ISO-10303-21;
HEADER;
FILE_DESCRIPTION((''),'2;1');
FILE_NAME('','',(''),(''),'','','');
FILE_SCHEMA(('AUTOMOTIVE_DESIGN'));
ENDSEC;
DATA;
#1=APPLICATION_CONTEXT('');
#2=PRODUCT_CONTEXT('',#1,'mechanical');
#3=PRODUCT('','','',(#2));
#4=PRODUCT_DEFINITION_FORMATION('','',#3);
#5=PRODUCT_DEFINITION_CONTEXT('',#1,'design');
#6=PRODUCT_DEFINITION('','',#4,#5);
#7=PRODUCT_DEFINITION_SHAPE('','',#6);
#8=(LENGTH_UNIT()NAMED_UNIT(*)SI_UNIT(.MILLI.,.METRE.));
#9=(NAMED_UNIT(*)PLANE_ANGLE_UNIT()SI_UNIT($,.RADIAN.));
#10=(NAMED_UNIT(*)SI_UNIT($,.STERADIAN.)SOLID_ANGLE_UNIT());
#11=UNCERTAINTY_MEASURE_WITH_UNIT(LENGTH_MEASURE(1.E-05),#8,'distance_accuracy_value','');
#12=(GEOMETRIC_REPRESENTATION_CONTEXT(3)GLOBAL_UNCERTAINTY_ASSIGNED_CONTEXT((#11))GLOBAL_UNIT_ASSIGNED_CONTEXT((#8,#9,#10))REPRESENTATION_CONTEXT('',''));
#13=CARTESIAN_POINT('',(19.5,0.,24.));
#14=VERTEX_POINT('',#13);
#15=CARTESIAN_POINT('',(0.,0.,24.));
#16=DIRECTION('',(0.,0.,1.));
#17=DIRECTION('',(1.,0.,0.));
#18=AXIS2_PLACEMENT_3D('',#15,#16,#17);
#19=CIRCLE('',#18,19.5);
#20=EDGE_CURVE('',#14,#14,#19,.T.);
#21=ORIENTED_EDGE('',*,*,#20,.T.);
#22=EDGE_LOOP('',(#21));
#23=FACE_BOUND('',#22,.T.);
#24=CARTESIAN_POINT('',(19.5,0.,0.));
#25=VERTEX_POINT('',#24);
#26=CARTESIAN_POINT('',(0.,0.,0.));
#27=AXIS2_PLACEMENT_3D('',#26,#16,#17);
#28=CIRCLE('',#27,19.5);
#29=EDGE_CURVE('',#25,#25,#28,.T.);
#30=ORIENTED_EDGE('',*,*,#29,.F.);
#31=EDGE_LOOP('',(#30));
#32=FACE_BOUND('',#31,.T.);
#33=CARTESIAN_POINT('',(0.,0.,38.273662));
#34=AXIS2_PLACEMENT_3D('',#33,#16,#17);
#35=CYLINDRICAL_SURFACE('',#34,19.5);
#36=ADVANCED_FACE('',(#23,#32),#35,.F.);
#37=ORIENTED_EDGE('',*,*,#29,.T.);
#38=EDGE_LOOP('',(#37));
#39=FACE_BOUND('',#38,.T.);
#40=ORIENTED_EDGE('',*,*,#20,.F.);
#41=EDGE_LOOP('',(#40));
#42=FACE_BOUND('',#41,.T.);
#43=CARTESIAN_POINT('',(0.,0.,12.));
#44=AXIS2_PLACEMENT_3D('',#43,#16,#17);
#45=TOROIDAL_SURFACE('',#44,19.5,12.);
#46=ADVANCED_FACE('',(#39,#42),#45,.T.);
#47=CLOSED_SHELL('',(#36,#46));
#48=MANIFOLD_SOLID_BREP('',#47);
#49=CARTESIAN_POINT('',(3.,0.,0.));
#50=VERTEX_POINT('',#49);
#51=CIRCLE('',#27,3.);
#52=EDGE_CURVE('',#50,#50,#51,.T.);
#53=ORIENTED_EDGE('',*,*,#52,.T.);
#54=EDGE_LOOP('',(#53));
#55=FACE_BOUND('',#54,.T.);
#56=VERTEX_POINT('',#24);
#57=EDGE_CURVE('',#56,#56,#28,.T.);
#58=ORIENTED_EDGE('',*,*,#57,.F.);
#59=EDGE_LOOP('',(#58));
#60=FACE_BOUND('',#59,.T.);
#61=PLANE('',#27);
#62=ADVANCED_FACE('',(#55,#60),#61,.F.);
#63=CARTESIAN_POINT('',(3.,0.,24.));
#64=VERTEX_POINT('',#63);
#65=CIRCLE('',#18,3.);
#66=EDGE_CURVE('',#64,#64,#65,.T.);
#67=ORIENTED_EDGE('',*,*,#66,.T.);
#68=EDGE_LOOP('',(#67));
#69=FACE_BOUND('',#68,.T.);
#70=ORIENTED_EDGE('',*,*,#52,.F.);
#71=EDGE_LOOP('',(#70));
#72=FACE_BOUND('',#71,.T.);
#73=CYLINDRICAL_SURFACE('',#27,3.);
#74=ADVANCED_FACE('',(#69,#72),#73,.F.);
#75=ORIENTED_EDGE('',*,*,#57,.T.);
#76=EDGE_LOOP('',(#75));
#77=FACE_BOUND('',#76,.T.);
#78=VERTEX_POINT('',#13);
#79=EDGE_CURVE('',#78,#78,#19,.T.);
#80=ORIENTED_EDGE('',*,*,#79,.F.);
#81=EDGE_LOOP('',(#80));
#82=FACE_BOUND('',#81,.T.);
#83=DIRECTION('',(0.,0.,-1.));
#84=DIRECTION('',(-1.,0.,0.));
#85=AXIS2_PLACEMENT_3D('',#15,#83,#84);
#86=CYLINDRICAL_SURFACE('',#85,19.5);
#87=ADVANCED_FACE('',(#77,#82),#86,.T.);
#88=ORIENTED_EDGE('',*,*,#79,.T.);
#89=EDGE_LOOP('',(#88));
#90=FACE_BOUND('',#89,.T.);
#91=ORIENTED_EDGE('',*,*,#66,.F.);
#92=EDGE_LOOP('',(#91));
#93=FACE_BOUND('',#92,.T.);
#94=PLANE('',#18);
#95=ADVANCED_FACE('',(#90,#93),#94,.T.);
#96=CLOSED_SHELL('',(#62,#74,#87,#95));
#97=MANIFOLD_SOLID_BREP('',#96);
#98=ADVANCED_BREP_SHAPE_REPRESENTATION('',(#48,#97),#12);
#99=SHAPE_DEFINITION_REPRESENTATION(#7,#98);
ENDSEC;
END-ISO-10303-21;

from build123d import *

# Parameters (mm, degrees)
SKETCH_2_R               = 19.5
EXTRUDE_1_DEPTH          = 24
SKETCH_5_R               = 3
CUT_EXTRUDE_1_DEPTH      = 1
CUT_EXTRUDE_1_DEPTH_BACK = 25


with BuildPart() as part:
    # 草图2 → 凸台-拉伸1 (new body)
    with BuildSketch(Plane.XY):
        Circle(SKETCH_2_R)
    extrude(amount=EXTRUDE_1_DEPTH)

    # 草图5 → 切除-拉伸1 (cut, two sides)
    with BuildSketch(Plane.XY.offset(24)) as cut_extrude_1_sk:
        Circle(SKETCH_5_R)
    extrude(amount=CUT_EXTRUDE_1_DEPTH, mode=Mode.SUBTRACT)
    extrude(cut_extrude_1_sk.sketch, amount=-CUT_EXTRUDE_1_DEPTH_BACK, mode=Mode.SUBTRACT)


with BuildPart() as body_2:
    # 草图4 → 旋转1 (revolve)
    with BuildSketch(Plane(origin=(0, 0, 0), x_dir=(0, 0, -1), z_dir=(1, 0, 0))):
        with BuildLine():
            Line((-24, 19.5), (0, 19.5))
            ThreePointArc((0, 19.5), (-12, 31.5), (-24, 19.5))
        make_face()
    revolve(axis=Axis((0, 0, 38.27366172), (0, 0, -1)))


solid = Compound([part.part, body_2.part])
